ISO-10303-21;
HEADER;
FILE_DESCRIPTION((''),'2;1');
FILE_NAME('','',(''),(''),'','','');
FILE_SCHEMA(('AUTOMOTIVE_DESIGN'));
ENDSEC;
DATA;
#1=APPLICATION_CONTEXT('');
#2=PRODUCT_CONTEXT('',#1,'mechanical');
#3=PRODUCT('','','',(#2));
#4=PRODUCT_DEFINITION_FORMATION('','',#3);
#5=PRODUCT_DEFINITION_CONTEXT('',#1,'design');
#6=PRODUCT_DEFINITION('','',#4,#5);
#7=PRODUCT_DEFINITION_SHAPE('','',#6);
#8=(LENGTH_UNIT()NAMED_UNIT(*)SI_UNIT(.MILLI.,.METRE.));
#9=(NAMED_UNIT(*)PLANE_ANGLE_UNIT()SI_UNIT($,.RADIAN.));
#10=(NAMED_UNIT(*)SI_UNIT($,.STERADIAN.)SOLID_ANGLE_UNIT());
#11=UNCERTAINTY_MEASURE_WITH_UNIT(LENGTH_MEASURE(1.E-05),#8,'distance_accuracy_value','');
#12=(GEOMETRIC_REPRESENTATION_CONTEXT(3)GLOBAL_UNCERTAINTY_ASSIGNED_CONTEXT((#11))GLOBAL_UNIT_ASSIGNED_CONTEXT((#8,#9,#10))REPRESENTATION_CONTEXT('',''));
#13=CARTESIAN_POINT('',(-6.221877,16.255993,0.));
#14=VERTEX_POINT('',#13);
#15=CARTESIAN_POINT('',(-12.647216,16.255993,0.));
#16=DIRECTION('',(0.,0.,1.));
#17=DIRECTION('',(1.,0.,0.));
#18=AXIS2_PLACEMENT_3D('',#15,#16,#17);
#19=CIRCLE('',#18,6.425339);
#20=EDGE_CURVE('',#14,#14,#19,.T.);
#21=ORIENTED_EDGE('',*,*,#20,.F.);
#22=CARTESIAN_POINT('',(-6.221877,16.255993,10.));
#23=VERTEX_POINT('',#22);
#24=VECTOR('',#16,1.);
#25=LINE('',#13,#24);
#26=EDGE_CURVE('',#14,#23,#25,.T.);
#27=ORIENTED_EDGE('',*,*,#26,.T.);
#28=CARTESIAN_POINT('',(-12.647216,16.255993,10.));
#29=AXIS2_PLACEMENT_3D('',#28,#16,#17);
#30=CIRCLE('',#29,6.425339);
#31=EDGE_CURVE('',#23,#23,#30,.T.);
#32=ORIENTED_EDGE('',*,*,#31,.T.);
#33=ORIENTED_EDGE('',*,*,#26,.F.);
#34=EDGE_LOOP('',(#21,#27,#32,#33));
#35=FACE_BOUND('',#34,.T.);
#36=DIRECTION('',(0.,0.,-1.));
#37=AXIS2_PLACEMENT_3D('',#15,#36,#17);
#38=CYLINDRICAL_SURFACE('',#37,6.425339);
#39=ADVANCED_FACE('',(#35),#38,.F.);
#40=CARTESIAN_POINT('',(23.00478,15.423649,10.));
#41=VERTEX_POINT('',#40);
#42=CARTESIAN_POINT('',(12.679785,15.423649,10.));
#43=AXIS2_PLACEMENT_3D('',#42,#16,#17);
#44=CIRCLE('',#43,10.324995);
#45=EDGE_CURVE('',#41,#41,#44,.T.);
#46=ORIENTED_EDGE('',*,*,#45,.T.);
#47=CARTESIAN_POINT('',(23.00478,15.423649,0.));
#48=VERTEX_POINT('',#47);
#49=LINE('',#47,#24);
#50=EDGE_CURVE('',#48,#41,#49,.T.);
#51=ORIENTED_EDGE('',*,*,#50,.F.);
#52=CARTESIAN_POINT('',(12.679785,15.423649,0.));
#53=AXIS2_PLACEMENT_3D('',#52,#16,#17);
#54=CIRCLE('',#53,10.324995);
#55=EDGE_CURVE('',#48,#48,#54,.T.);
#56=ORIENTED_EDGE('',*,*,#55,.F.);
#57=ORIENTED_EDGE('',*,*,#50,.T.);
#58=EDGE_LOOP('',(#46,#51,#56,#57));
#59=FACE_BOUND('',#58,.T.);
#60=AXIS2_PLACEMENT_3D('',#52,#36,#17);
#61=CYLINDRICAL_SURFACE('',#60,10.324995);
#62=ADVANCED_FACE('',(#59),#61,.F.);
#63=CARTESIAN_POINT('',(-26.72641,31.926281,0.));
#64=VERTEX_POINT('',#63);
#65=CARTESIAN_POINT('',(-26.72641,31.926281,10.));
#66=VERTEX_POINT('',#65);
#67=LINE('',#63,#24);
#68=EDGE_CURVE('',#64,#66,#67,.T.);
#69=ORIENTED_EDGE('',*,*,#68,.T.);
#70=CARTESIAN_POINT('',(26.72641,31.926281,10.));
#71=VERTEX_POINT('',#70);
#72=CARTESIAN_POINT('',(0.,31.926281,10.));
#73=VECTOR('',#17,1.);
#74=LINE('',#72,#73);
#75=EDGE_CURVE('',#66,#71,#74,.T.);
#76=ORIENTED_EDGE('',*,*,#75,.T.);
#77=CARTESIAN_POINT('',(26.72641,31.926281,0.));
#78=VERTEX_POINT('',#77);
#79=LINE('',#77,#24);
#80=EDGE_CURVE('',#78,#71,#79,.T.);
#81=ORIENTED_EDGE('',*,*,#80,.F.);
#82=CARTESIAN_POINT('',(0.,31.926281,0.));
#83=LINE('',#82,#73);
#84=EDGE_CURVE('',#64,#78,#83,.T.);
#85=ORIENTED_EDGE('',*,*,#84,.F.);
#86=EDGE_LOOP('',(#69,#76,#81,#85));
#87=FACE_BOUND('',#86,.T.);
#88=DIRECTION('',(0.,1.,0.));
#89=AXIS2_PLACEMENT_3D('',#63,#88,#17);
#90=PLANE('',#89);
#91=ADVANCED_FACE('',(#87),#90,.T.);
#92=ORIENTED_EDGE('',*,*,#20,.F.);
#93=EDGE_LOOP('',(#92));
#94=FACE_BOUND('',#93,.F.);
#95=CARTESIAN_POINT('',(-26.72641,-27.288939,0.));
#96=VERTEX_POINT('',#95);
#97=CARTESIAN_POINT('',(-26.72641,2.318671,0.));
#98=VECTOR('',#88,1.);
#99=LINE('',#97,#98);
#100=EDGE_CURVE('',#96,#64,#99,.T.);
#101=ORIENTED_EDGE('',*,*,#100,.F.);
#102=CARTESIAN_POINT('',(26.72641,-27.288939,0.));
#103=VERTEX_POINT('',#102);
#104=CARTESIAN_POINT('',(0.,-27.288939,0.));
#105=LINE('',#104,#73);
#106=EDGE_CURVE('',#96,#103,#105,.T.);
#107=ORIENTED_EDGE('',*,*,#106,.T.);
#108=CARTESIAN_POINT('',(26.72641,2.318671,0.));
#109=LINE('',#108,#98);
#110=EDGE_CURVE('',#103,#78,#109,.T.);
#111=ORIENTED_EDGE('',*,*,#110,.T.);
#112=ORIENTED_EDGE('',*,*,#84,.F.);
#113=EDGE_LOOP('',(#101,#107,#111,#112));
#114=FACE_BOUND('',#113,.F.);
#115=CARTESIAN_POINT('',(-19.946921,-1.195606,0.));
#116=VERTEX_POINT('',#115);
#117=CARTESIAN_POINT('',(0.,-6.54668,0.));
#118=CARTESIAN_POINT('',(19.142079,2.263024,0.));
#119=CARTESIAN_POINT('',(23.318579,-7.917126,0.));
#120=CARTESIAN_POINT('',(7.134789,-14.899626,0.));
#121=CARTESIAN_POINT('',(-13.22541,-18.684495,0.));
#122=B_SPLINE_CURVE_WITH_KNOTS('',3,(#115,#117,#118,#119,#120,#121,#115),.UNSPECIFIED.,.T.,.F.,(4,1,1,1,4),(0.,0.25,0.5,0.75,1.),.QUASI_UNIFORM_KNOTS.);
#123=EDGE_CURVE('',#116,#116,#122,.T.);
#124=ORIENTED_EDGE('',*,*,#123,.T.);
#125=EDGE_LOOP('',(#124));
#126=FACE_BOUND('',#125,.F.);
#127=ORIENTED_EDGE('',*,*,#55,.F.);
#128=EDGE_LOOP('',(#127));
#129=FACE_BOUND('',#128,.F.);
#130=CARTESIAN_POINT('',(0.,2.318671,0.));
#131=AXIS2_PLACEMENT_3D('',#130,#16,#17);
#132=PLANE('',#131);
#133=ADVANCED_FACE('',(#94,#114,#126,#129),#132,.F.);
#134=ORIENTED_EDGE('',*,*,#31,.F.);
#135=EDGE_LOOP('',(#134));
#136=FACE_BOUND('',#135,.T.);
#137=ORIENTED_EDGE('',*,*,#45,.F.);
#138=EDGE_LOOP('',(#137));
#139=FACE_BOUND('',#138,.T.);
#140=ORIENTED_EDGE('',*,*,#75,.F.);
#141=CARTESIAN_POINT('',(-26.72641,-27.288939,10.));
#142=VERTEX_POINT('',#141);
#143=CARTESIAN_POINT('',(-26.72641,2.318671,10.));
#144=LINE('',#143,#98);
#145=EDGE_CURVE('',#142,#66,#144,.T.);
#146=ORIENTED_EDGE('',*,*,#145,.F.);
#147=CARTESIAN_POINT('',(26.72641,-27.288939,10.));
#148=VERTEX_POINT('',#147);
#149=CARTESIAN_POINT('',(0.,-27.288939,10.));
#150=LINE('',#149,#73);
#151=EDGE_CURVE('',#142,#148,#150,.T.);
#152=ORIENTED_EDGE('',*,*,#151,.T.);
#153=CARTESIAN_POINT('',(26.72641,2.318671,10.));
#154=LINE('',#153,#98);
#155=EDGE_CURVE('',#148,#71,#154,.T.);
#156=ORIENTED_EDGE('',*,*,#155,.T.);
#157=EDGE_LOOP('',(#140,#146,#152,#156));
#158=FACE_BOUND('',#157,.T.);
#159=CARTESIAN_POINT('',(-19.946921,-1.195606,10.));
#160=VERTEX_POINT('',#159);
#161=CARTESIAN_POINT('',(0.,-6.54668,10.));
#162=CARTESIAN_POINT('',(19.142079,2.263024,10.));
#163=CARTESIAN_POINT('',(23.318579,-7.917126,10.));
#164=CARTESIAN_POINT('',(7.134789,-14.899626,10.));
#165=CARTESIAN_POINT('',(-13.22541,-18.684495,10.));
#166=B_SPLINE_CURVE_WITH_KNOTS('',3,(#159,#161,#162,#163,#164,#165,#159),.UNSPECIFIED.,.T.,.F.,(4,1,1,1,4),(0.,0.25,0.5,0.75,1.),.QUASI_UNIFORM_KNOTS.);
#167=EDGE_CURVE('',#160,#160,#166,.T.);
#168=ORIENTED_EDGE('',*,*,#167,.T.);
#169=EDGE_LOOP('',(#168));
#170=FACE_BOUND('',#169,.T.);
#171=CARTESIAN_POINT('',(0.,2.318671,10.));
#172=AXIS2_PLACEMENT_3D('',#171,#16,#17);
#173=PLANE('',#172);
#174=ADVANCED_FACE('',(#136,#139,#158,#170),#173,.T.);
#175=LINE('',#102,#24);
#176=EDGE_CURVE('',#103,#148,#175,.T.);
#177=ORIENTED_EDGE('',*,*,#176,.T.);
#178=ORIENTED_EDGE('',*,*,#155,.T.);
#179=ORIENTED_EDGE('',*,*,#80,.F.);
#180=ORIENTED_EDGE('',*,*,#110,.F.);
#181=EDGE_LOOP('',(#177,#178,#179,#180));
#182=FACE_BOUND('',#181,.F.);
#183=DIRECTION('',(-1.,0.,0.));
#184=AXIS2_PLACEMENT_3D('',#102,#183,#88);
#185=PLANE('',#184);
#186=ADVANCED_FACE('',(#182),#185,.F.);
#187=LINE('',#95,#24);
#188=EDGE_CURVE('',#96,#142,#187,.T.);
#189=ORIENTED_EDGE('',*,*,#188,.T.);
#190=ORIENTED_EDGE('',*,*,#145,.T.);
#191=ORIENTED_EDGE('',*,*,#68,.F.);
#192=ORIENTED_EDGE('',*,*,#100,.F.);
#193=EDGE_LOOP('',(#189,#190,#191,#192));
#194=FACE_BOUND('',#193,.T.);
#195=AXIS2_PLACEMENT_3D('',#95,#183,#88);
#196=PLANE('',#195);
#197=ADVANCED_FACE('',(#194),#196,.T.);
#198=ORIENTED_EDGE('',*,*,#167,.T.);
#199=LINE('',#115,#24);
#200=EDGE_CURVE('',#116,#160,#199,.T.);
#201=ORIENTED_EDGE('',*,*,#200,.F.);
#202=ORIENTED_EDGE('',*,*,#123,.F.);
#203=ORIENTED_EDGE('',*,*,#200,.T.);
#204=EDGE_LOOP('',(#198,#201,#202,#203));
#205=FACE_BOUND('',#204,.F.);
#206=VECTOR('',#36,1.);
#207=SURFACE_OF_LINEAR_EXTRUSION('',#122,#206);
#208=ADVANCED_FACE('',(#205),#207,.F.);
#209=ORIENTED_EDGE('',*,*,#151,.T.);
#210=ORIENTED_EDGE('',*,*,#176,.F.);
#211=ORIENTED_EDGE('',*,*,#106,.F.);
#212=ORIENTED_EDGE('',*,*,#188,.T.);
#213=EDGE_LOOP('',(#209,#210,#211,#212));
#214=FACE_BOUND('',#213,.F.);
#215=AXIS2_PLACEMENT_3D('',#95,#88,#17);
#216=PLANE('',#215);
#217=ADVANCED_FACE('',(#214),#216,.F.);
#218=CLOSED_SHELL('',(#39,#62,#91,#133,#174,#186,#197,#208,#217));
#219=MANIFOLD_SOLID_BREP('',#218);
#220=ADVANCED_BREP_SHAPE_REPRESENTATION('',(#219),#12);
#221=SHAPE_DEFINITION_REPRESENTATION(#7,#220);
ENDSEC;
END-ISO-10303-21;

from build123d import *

# Parameters (mm, degrees)
SKETCH_W      = 53.45282
SKETCH_H      = 59.21522
SKETCH_R      = 6.425339
SKETCH_R_2    = 10.324995
EXTRUDE_DEPTH = 10


with BuildPart() as part:
    # Sketch → Extrude (new body)
    with BuildSketch(Plane.XY):
        with Locations((0, 2.318671)):
            Rectangle(SKETCH_W, SKETCH_H)
        with BuildLine():
            add(Edge.make_bspline(
                [(-19.946921, -1.195606), (0, -6.54668), (19.142079, 2.263024), (23.318579, -7.917126), (7.134789, -14.899626), (-13.22541, -18.684495), (-19.946921, -1.195606)],
                knots=[0, 0, 0, 0, 0.25, 0.5, 0.75, 1, 1, 1, 1], degree=3))
        make_face(mode=Mode.SUBTRACT)
        with Locations((-12.647216, 16.255993)):
            Circle(SKETCH_R, mode=Mode.SUBTRACT)
        with Locations((12.679785, 15.423649)):
            Circle(SKETCH_R_2, mode=Mode.SUBTRACT)
    extrude(amount=EXTRUDE_DEPTH)


solid = part.part
